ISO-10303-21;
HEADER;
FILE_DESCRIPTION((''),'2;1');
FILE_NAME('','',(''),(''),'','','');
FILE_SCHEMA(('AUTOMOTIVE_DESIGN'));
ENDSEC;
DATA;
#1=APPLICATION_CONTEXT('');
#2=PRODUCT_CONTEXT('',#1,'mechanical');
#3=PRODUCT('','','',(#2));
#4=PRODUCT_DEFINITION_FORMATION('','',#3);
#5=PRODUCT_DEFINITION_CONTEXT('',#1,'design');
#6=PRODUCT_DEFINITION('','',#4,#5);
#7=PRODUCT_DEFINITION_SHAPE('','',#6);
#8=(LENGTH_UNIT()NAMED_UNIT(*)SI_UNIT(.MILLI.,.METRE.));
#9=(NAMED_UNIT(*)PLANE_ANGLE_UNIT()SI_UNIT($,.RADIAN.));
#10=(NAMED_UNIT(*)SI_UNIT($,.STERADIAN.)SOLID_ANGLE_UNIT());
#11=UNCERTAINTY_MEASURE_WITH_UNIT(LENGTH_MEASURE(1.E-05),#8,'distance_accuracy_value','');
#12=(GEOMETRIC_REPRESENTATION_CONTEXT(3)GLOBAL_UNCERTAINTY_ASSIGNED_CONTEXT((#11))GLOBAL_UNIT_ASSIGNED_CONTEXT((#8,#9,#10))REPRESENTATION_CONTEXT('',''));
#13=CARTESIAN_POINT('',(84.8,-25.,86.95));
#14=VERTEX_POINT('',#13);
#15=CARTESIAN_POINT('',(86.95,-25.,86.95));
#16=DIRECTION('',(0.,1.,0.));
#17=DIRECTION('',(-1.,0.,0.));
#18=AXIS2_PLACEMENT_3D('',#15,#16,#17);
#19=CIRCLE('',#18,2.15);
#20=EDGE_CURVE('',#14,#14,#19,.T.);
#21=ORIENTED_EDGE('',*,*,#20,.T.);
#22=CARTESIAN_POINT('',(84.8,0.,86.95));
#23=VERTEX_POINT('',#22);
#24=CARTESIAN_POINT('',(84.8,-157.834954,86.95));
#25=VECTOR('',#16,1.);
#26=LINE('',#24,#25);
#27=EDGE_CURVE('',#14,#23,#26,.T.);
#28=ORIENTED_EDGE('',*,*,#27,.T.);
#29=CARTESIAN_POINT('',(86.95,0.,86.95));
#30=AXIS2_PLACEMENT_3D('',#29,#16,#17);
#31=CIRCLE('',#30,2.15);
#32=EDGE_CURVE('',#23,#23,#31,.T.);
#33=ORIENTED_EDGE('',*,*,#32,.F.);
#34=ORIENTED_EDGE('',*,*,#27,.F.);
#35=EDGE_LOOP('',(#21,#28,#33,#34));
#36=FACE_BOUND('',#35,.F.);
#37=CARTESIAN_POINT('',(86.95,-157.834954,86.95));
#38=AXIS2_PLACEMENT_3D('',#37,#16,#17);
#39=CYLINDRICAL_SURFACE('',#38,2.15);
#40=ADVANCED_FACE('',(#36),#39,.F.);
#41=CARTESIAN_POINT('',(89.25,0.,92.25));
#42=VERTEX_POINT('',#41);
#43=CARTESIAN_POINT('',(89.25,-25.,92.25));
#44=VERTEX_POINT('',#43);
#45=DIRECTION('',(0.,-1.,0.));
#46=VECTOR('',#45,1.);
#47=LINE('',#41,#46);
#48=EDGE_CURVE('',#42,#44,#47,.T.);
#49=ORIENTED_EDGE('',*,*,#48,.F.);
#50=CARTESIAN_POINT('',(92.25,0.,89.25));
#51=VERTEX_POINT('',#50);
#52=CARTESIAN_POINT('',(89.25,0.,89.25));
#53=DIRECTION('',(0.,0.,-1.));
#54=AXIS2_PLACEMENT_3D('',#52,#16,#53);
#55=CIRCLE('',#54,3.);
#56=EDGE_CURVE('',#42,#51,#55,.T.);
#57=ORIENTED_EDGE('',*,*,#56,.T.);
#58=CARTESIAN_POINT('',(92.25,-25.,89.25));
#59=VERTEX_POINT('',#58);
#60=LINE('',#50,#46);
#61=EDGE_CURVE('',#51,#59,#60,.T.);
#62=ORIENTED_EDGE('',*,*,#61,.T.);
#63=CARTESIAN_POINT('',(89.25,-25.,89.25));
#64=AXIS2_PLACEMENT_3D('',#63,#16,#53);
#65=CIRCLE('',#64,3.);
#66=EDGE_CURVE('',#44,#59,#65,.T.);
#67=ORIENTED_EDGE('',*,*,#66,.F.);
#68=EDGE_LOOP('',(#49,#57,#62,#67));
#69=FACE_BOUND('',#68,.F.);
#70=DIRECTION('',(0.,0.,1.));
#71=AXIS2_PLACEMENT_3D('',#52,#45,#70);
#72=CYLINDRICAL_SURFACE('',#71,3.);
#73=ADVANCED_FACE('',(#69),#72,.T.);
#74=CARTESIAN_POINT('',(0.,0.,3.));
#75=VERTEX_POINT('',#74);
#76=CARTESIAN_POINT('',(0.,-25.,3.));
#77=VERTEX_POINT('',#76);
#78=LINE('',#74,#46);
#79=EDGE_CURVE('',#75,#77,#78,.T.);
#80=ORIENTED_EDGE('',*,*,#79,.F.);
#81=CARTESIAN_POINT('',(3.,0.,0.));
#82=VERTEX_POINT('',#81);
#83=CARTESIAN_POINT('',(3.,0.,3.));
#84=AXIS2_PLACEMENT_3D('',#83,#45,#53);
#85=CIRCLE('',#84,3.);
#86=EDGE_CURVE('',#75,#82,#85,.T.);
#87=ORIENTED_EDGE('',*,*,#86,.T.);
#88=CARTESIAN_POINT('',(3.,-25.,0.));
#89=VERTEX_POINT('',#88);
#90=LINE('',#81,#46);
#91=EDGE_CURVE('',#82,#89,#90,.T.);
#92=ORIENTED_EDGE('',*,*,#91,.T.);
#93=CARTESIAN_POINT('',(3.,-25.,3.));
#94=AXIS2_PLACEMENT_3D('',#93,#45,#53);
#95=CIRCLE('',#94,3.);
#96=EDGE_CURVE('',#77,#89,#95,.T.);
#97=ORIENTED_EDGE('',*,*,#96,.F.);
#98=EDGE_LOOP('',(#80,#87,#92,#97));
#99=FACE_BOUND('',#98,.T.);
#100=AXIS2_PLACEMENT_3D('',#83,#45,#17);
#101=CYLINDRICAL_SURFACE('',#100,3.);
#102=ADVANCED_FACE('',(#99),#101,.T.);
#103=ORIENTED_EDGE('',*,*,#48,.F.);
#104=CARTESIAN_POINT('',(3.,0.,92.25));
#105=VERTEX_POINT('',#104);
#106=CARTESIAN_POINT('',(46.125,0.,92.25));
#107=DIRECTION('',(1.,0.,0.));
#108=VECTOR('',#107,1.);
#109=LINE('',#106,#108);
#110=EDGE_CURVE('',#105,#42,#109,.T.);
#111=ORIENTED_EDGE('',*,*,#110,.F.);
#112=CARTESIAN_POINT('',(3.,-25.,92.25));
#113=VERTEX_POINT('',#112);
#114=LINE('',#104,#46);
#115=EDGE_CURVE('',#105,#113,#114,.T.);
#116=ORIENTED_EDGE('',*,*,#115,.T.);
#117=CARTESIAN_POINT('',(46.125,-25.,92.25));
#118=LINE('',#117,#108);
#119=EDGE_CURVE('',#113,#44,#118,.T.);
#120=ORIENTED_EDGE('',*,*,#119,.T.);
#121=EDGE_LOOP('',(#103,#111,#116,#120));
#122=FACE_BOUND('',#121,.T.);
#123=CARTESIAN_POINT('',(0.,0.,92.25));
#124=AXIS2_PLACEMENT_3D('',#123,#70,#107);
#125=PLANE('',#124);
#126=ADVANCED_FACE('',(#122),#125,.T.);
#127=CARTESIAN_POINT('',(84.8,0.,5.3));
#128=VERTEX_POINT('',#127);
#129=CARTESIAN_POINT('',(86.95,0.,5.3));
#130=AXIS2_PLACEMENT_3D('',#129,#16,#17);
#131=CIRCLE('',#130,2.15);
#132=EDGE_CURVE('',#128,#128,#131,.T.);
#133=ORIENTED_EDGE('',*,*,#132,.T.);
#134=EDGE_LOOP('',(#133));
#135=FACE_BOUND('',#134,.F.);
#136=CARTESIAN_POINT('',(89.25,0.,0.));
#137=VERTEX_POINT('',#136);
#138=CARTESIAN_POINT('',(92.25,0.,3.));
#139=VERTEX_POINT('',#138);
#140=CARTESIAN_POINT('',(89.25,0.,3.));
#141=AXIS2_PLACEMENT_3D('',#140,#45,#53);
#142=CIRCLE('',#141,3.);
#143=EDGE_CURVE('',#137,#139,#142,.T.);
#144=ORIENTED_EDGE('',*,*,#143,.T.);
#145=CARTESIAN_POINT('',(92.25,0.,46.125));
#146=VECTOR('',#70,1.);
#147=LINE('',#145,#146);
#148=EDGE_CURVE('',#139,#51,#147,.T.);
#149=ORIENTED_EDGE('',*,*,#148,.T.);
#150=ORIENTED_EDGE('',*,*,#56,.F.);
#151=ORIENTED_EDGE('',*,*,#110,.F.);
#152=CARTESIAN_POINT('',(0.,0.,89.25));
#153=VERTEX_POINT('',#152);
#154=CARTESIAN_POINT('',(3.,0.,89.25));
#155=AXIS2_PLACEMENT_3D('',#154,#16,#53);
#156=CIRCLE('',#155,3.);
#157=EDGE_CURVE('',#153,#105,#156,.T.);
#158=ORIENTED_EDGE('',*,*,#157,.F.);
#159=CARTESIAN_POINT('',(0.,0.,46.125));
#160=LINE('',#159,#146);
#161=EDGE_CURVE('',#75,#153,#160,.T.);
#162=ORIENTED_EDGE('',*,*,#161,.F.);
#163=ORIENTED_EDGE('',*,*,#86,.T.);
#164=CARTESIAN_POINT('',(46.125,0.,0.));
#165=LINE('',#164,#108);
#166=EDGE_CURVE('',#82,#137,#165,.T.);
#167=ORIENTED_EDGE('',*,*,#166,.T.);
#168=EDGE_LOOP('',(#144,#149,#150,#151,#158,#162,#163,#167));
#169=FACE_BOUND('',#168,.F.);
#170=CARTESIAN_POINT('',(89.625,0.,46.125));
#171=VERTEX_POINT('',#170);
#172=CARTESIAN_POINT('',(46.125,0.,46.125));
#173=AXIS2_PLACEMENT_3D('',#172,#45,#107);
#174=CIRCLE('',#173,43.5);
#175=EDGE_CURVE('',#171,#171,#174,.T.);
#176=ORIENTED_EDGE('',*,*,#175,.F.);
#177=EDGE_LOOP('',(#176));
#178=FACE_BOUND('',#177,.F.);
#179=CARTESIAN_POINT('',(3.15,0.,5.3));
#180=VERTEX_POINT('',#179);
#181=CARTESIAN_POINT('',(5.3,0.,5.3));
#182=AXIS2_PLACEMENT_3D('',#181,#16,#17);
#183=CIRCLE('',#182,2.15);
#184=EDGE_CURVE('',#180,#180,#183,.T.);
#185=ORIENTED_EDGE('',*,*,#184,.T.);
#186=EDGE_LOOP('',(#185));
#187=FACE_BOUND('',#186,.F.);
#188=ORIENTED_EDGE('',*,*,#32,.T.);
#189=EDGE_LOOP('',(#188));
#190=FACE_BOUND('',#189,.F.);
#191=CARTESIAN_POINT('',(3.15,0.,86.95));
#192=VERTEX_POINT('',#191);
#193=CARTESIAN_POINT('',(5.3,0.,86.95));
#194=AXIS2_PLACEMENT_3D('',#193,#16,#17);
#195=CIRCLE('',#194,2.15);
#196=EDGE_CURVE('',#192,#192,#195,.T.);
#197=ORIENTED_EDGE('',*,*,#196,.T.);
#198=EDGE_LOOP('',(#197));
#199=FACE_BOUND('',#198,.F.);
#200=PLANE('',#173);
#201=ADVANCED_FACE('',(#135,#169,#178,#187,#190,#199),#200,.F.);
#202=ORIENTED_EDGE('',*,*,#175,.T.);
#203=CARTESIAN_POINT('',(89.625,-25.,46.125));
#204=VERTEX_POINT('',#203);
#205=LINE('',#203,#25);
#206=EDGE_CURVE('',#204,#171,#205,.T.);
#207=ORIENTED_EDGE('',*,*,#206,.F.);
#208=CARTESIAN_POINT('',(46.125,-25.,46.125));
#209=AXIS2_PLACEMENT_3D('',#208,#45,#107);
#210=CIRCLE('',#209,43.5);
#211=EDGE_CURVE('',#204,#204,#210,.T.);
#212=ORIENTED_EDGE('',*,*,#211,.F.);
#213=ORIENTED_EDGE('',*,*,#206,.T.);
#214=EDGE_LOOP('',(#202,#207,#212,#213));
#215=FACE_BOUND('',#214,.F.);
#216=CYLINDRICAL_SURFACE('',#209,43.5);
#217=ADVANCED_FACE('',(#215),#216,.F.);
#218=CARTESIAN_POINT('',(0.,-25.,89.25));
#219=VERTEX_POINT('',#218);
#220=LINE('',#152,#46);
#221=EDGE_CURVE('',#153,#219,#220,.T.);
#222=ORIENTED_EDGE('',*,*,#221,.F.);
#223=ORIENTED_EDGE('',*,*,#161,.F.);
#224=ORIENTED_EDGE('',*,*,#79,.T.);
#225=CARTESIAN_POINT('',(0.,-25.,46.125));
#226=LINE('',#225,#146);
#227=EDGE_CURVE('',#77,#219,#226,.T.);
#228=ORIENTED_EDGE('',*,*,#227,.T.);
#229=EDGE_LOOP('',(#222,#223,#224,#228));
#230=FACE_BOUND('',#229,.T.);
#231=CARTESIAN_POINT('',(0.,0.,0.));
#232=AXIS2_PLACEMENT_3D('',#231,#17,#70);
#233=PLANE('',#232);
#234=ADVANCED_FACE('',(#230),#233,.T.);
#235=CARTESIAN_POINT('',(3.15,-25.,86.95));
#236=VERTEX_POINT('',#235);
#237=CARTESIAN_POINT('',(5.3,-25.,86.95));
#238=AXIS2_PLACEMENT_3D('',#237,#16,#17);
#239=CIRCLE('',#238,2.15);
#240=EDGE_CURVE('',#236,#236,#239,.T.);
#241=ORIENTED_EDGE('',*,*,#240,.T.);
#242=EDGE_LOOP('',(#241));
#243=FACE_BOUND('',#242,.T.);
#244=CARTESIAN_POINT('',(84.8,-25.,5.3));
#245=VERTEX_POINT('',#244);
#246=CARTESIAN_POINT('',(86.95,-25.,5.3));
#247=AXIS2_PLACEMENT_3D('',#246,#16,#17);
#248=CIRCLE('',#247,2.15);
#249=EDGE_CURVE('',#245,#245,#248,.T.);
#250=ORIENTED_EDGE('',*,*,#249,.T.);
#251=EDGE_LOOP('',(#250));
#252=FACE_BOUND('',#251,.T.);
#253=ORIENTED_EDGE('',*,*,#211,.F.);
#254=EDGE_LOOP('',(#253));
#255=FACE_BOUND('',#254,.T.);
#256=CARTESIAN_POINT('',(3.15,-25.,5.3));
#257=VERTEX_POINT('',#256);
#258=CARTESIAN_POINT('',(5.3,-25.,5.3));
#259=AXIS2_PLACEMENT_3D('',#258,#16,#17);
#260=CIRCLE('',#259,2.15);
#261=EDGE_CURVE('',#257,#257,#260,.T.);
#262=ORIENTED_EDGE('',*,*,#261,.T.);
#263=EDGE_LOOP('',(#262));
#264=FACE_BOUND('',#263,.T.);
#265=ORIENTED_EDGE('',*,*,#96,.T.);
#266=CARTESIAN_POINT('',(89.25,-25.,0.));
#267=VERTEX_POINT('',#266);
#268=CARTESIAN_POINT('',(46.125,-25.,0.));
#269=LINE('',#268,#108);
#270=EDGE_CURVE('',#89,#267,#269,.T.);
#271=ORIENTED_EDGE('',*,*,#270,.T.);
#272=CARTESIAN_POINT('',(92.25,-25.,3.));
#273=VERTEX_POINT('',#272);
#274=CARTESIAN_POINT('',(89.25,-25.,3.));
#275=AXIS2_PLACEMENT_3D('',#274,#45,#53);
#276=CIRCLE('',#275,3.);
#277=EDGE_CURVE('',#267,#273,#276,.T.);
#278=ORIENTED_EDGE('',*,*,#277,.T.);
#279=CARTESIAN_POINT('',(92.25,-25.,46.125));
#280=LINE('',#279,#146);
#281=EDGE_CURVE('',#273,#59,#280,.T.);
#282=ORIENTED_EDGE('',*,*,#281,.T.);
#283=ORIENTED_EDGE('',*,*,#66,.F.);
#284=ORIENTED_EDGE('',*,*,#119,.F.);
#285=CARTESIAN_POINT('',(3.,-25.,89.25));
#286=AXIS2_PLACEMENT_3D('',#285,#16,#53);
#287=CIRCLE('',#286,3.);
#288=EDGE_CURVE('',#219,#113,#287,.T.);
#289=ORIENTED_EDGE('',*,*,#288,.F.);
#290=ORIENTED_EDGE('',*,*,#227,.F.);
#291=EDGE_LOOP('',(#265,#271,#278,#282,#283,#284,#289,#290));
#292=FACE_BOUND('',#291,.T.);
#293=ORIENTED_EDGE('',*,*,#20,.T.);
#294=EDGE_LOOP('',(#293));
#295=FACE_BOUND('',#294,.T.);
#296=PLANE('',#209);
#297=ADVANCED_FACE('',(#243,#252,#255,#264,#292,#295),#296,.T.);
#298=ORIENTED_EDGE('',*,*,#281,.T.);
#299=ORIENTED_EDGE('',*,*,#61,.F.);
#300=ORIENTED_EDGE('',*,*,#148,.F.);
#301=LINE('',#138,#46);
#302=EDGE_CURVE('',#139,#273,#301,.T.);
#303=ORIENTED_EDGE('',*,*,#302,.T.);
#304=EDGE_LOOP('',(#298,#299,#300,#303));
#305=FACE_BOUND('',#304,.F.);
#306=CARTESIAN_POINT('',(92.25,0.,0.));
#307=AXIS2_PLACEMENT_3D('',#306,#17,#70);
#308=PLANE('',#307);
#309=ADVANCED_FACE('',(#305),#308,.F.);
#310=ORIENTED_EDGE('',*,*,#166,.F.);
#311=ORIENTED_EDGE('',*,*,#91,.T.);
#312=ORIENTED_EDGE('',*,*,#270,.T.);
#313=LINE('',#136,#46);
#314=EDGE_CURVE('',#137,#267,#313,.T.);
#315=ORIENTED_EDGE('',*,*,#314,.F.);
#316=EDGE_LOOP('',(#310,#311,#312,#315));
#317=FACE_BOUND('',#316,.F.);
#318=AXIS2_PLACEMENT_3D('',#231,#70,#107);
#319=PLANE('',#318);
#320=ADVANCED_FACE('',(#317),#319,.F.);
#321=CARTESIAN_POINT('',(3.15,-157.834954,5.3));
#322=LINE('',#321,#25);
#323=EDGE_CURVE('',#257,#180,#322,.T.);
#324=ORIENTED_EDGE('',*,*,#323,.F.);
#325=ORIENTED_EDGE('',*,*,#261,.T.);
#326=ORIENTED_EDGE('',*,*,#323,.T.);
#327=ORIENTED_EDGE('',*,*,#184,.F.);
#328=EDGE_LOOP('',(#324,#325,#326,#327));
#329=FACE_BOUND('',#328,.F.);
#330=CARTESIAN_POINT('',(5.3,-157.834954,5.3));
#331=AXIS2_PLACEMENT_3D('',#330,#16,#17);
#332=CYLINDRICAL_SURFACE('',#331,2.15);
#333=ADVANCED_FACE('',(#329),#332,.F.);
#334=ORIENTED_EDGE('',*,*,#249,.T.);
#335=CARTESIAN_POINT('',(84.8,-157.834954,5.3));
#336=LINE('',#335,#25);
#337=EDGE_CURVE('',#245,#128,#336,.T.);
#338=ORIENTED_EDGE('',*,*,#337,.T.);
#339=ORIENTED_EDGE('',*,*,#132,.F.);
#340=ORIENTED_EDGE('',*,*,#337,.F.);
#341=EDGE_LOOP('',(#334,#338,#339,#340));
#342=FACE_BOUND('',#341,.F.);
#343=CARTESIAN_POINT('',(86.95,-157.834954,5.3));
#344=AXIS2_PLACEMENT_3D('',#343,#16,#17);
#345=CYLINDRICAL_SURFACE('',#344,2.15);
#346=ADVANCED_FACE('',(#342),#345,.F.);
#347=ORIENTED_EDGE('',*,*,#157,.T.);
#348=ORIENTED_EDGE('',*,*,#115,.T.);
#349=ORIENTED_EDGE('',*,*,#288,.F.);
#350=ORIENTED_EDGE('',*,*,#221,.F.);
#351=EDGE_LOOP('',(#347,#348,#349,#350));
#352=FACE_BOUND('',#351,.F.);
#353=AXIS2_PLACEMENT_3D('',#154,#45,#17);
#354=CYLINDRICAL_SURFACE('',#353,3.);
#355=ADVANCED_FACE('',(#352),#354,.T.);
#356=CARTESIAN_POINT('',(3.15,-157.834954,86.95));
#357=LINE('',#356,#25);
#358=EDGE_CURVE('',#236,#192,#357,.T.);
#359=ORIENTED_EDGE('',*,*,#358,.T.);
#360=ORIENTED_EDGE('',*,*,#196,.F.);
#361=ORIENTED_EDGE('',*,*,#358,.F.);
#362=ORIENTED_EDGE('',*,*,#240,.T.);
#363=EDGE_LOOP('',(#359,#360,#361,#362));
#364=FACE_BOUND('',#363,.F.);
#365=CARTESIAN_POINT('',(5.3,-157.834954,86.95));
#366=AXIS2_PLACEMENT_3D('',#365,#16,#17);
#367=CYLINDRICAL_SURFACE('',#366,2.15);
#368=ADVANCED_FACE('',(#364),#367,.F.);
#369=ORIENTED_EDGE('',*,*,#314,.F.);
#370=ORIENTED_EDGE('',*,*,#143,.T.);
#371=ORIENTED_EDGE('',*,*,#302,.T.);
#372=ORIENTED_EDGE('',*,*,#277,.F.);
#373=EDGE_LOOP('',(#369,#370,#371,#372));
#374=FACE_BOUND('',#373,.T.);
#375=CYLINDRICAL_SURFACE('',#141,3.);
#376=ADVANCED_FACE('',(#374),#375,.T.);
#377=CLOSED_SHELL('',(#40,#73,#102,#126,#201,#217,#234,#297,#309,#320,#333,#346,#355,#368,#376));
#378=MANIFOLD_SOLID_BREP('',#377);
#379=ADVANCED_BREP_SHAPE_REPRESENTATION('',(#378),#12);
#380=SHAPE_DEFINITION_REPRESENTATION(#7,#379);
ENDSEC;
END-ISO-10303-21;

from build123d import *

# Parameters (mm, degrees)
F0_W     = 92.25
F0_H     = 92.25
F1_DEPTH = 25
F2_R     = 43.5
F3_DEPTH = 25.001
F5_D     = 4.3
F6_R     = 3


with BuildPart() as f1:
    # F0 (on Front) → F1 (new body)
    with BuildSketch(Plane.XZ):
        with Locations((46.125, 46.125)):
            Rectangle(F0_W, F0_H)
    extrude(amount=F1_DEPTH)

    # F2 (on face) → F3 (cut, through all)
    with BuildSketch(Plane.XZ.offset(25)):
        with Locations((46.125, 46.125)):
            Circle(F2_R)
    extrude(amount=-F3_DEPTH, mode=Mode.SUBTRACT)

    # F5 (through all)
    with Locations(Plane.XZ.offset(25)):
        with Locations((5.3, 86.95), (5.3, 5.3), (86.95, 5.3), (86.95, 86.95)):
            Hole(F5_D / 2)

    # F6
    f6_edges = [f1.edges().sort_by_distance(p)[0] for p in [
        (92.25, -12.5, 92.25),
        (0, -12.5, 92.25),
        (0, -12.5, 0),
        (92.25, -12.5, 0),
    ]]
    fillet(f6_edges, radius=F6_R)


solid = f1.part
